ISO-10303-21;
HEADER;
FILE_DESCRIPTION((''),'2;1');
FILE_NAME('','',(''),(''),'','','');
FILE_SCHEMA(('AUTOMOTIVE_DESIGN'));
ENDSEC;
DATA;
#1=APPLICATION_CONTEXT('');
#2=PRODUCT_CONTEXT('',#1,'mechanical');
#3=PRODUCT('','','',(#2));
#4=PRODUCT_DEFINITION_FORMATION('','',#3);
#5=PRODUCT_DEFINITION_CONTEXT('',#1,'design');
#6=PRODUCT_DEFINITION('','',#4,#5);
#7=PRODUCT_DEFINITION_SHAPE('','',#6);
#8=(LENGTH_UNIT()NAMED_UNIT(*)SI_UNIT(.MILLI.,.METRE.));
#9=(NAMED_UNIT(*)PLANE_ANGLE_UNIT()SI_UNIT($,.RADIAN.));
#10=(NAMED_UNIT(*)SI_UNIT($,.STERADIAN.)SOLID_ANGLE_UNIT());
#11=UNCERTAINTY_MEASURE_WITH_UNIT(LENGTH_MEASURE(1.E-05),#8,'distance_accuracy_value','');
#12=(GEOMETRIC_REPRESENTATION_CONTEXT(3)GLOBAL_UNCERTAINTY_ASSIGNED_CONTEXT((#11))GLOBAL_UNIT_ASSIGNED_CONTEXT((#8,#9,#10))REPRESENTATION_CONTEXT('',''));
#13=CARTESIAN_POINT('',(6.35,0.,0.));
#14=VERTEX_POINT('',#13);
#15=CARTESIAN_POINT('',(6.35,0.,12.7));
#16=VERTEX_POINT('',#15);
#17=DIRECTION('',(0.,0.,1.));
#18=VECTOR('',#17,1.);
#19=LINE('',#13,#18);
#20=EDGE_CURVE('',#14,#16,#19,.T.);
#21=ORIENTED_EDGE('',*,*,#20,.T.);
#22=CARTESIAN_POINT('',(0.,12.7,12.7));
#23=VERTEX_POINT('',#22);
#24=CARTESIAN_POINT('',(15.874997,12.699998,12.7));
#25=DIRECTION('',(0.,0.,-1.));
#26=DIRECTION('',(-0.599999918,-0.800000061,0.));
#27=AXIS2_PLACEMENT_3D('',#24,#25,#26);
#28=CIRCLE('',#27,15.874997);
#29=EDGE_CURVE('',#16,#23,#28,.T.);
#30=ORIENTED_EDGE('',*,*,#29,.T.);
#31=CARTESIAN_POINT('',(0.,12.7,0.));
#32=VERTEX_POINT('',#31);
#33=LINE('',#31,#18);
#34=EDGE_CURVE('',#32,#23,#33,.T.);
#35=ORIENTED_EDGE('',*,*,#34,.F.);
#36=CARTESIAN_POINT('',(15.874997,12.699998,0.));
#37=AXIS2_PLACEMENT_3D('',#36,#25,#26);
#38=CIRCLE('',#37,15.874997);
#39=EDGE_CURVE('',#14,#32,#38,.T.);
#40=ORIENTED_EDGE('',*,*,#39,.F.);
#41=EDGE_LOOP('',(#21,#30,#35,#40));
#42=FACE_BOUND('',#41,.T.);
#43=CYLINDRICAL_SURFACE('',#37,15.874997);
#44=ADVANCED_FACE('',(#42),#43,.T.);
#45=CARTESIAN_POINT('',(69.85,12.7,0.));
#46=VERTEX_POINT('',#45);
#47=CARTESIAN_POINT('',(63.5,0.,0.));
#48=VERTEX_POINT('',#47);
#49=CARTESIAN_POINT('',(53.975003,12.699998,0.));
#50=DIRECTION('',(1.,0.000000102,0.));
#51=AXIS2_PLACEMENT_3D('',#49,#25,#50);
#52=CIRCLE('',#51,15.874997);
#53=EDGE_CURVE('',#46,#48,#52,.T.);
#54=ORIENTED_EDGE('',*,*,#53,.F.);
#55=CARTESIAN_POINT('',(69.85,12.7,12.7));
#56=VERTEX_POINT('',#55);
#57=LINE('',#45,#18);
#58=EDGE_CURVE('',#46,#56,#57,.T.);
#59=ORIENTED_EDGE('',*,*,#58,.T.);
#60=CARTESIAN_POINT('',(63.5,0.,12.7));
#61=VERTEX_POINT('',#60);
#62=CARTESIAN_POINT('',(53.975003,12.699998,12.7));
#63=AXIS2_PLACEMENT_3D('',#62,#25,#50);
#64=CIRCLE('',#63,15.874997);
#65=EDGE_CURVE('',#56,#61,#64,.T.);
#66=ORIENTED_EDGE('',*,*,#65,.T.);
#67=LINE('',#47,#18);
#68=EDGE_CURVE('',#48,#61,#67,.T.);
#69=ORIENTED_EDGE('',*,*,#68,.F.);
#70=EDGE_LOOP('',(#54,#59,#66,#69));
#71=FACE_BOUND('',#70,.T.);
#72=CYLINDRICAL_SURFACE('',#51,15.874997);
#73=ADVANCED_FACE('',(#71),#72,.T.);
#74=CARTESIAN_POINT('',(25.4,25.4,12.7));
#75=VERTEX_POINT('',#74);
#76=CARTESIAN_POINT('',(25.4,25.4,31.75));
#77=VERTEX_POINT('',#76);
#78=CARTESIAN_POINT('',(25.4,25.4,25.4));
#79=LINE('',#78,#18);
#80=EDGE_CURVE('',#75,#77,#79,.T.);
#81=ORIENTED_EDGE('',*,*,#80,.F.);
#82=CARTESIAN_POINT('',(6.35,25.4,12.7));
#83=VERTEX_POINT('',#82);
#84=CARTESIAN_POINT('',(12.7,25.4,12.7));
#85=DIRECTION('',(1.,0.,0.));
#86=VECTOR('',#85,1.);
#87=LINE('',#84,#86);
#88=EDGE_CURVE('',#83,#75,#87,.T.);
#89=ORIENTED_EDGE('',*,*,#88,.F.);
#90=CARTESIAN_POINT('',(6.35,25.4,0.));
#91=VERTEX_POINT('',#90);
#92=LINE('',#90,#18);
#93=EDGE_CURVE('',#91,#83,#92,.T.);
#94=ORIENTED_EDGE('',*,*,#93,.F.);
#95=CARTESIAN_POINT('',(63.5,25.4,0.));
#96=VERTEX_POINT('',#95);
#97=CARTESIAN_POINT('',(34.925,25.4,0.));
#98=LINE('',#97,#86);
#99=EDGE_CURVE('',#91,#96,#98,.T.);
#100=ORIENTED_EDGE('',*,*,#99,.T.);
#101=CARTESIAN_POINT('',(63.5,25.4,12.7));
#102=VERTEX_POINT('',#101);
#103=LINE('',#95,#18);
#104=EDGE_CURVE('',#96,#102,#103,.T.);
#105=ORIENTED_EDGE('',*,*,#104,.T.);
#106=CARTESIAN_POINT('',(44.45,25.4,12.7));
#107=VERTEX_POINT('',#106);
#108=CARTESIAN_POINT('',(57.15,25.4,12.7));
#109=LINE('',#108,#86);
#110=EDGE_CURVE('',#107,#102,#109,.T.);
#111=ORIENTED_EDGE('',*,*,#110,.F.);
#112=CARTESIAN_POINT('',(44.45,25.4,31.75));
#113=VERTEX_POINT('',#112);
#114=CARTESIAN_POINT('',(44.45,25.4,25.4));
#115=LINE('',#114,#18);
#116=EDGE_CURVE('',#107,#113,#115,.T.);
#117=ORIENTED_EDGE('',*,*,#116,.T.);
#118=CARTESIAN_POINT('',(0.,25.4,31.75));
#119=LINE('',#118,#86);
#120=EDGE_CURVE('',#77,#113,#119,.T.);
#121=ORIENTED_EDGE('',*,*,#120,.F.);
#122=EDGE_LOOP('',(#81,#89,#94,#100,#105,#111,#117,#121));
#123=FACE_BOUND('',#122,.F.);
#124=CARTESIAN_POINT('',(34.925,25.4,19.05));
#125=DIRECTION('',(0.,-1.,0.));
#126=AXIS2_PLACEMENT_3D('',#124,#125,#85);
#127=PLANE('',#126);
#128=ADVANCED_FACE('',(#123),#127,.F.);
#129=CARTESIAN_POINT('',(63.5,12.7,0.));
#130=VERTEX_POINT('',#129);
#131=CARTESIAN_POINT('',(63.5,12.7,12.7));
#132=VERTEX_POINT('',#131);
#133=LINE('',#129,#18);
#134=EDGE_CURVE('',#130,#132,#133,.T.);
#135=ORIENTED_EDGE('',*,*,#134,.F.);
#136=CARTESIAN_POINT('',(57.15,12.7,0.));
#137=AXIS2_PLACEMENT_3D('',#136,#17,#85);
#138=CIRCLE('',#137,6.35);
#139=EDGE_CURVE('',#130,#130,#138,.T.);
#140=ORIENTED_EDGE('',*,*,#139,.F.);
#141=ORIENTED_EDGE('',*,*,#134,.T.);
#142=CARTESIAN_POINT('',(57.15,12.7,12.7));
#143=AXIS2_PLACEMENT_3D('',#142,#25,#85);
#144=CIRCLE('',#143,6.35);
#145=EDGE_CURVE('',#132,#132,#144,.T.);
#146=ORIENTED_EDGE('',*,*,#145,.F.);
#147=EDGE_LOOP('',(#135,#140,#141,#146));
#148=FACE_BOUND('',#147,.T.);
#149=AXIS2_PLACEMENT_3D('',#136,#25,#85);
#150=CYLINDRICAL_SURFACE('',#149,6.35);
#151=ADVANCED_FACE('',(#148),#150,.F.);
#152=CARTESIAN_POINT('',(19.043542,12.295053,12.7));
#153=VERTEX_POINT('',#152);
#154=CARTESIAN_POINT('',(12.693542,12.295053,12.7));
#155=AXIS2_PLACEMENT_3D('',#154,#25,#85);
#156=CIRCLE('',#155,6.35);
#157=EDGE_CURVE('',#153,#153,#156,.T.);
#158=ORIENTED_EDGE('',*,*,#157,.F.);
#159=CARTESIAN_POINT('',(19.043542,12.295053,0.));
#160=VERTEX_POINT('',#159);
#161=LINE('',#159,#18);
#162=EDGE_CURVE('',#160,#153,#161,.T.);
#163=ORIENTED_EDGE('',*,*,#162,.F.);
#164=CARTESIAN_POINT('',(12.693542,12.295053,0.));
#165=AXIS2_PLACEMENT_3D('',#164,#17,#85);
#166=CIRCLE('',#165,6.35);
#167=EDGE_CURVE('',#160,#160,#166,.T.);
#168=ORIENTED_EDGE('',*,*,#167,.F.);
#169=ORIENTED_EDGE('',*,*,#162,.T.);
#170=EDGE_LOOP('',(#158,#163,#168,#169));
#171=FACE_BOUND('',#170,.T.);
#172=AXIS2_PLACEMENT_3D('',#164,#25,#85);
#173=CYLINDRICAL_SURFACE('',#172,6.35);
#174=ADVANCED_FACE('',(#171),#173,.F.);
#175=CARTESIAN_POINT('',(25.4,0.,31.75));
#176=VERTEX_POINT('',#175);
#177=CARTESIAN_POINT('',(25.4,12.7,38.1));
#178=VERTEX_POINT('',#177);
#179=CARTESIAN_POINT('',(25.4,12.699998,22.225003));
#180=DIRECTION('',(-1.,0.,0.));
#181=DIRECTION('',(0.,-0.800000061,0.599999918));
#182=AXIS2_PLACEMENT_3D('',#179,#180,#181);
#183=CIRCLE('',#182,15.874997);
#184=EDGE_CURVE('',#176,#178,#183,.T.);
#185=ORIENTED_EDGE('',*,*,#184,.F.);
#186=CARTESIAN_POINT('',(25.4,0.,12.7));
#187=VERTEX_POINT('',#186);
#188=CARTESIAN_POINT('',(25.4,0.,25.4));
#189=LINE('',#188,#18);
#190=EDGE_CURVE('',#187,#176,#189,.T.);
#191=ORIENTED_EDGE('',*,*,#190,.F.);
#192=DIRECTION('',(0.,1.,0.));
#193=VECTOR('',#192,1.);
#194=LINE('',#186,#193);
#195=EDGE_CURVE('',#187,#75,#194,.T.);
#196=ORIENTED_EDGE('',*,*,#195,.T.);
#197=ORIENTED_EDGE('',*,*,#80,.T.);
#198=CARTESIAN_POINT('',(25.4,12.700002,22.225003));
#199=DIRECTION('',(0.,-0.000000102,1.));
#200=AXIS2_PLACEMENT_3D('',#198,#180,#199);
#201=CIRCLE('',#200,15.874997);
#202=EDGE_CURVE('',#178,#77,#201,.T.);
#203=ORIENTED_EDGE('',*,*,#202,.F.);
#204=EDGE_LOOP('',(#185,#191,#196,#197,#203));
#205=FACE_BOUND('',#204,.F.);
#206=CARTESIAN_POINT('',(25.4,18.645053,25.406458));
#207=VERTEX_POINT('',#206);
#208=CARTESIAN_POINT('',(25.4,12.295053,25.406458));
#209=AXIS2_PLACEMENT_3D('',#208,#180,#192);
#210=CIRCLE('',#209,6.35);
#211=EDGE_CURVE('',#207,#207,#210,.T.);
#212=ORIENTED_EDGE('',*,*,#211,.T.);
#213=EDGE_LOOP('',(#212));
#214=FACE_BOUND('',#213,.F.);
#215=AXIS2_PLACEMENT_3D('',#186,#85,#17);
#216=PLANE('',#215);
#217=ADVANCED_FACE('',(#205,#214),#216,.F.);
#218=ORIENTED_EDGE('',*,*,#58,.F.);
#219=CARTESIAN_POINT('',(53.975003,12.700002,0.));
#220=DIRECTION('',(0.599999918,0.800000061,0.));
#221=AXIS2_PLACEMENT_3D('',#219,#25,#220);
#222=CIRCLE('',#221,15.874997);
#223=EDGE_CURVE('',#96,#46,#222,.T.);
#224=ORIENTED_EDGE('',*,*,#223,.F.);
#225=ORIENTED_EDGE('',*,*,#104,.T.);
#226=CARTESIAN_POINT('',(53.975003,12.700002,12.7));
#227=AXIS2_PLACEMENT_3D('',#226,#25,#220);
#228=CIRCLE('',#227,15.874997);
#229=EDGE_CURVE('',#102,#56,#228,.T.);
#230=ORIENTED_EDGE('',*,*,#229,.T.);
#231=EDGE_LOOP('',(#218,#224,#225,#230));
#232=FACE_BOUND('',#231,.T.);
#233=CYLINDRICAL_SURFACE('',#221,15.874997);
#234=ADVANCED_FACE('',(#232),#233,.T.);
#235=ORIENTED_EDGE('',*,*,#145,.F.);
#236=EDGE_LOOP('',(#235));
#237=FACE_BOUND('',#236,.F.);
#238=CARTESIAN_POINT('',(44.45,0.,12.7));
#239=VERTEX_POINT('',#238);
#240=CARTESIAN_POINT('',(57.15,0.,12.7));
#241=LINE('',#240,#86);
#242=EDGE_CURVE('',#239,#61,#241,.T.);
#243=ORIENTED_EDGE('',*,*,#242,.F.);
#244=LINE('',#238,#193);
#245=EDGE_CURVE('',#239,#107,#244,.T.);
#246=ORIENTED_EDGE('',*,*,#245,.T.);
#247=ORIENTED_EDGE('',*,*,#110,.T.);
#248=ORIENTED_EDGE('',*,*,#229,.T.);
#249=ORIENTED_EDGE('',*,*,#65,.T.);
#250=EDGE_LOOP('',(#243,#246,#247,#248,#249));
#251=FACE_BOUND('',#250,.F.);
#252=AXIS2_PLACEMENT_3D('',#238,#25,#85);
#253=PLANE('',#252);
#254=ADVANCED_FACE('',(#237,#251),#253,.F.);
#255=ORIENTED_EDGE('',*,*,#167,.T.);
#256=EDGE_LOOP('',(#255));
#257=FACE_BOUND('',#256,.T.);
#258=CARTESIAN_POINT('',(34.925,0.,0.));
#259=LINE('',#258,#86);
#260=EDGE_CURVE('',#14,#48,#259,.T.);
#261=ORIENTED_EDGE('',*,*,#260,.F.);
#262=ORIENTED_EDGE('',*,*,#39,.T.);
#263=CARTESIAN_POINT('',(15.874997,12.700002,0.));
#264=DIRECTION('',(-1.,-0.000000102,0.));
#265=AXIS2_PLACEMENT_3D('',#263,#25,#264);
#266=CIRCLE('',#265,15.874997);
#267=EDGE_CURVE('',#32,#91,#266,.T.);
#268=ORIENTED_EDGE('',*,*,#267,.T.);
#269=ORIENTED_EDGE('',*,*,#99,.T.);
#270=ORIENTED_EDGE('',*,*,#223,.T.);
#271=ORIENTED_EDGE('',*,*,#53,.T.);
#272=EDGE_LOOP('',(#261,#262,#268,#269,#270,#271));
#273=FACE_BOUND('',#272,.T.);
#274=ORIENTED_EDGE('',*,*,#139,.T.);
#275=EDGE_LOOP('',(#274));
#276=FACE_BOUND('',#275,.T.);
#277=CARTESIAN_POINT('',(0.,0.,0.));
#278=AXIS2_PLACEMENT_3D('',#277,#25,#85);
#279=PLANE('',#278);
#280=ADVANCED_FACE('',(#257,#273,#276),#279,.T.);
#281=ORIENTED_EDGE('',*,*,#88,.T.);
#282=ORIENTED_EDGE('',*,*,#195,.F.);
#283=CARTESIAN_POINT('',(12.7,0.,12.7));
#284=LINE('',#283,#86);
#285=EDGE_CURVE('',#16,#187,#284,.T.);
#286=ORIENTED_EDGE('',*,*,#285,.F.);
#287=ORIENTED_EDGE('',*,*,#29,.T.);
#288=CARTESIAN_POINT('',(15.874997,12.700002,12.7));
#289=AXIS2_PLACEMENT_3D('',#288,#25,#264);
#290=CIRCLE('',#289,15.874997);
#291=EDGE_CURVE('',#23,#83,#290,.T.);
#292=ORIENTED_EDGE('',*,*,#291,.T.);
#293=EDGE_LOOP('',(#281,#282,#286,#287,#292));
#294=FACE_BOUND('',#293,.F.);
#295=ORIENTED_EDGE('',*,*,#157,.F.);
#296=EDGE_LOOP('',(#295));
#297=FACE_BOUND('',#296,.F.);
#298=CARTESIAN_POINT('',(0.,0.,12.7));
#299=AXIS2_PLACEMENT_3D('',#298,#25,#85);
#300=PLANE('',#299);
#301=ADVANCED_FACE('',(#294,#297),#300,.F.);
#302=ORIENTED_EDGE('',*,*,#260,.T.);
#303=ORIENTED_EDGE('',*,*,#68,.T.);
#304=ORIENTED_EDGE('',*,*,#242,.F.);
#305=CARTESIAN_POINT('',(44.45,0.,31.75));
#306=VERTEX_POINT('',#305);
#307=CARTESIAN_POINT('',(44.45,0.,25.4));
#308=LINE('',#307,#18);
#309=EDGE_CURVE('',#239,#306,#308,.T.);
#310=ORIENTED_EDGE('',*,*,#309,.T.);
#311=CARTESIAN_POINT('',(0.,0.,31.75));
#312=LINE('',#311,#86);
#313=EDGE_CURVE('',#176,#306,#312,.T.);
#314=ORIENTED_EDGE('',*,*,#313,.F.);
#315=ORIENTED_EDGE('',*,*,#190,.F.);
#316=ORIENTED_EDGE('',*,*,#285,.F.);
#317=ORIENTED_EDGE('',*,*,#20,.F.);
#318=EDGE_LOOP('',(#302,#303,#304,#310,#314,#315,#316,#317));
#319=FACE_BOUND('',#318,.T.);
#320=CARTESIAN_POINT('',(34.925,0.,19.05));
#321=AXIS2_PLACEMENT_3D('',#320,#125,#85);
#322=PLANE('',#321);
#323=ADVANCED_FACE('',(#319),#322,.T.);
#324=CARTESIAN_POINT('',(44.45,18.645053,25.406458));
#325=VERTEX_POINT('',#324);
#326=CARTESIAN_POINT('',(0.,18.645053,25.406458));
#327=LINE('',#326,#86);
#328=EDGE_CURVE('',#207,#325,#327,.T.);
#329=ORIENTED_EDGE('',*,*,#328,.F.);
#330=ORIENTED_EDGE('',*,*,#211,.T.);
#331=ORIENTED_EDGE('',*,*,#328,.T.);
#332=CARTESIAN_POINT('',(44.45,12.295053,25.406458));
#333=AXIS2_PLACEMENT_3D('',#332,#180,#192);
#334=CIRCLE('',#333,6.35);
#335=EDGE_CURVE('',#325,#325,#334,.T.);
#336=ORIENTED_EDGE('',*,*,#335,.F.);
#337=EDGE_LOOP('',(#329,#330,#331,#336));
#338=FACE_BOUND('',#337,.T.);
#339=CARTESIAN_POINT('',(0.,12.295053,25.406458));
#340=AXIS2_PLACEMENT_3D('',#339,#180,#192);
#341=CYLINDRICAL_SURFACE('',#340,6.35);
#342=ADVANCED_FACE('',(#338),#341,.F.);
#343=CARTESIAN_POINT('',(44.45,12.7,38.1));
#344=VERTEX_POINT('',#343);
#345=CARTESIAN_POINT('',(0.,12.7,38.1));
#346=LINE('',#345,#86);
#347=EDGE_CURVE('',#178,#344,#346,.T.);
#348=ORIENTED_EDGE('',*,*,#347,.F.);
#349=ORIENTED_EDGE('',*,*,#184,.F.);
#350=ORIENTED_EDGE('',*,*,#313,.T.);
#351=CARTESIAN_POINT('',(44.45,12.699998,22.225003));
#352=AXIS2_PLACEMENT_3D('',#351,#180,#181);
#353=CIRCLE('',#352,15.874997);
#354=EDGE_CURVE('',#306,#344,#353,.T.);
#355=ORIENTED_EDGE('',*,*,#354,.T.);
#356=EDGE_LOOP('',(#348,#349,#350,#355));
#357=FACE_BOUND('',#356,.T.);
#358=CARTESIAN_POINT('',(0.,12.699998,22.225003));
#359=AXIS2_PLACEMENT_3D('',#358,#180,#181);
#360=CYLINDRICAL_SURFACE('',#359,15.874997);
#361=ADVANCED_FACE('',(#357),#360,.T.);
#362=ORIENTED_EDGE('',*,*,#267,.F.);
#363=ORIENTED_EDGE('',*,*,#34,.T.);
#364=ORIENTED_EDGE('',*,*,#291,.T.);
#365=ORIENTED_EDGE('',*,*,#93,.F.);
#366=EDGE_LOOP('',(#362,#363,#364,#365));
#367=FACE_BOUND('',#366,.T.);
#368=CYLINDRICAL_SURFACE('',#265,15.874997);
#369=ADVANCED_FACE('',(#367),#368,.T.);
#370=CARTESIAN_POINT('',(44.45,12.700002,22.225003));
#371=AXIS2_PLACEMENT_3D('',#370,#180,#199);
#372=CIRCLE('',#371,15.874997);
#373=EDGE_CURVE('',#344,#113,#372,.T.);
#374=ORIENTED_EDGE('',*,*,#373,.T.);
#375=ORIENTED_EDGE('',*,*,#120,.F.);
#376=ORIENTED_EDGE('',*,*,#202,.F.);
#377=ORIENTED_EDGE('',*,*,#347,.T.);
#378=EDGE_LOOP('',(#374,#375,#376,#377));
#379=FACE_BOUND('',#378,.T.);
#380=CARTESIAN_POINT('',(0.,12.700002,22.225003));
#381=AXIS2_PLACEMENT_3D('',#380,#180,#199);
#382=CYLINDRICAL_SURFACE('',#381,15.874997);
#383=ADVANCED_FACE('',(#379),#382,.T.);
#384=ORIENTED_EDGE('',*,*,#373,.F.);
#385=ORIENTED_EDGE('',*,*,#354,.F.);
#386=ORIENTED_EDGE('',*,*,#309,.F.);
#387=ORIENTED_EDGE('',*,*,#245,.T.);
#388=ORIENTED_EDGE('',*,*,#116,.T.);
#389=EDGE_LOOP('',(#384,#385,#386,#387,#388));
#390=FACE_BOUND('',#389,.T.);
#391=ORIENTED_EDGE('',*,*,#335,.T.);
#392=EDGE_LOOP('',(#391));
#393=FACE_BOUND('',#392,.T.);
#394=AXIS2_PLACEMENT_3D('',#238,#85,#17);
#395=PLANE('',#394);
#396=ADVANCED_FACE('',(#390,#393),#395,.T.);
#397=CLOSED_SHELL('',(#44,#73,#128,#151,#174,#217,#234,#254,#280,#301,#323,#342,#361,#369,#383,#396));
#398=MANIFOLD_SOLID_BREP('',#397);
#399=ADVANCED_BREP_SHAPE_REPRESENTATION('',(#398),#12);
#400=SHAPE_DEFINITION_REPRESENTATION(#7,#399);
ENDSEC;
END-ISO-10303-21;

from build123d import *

# Parameters (mm, degrees)
F0_W      = 69.85
F0_H      = 38.1
F1_DEPTH  = 25.4
F2_W      = 25.4
F2_H      = 25.4
F3_DEPTH  = 25.4
F4_W      = 25.4
F4_H      = 25.4
F5_DEPTH  = 25.4
F7_DEPTH  = 25.4
F9_DEPTH  = 25.4
F11_DEPTH = 50.8
F12_R     = 6.35
F13_DEPTH = 25.4
F14_R     = 6.35
F15_DEPTH = 50.8


with BuildPart() as f1:
    # F0 (on Front) → F1 (new body)
    with BuildSketch(Plane.XZ):
        with Locations((34.925, 19.05)):
            Rectangle(F0_W, F0_H)
    extrude(amount=-F1_DEPTH)

    # F2 (on Front) → F3 (cut)
    with BuildSketch(Plane.XZ):
        with Locations((57.15, 25.4)):
            Rectangle(F2_W, F2_H)
    extrude(amount=-F3_DEPTH, mode=Mode.SUBTRACT)

    # F4 (on Front) → F5 (cut)
    with BuildSketch(Plane.XZ):
        with Locations((12.7, 25.4)):
            Rectangle(F4_W, F4_H)
    extrude(amount=-F5_DEPTH, mode=Mode.SUBTRACT)

    # F6 (on Top) → F7 (cut)
    with BuildSketch(Plane.XY):
        with BuildLine():
            ThreePointArc((63.5, 25.4), (68.174032, 19.799516), (69.85, 12.7))
            Line((69.85, 12.7), (69.85, 25.4))
            Line((69.85, 25.4), (63.5, 25.4))
        make_face()
        with BuildLine():
            ThreePointArc((69.85, 12.7), (68.174032, 5.600484), (63.5, 0))
            Line((63.5, 0), (69.85, 0))
            Line((69.85, 0), (69.85, 12.7))
        make_face()
    extrude(amount=F7_DEPTH, mode=Mode.SUBTRACT)

    # F8 (on Top) → F9 (cut)
    with BuildSketch(Plane.XY):
        with BuildLine():
            ThreePointArc((6.35, 0), (1.675968, 5.600484), (0, 12.7))
            Line((0, 12.7), (0, 0))
            Line((0, 0), (6.35, 0))
        make_face()
        with BuildLine():
            ThreePointArc((0, 12.7), (1.675968, 19.799516), (6.35, 25.4))
            Line((6.35, 25.4), (0, 25.4))
            Line((0, 25.4), (0, 12.7))
        make_face()
    extrude(amount=F9_DEPTH, mode=Mode.SUBTRACT)

    # F10 (on Right) → F11 (cut)
    with BuildSketch(Plane.YZ):
        with BuildLine():
            ThreePointArc((0, 31.75), (5.600484, 36.424032), (12.7, 38.1))
            Line((12.7, 38.1), (0, 38.1))
            Line((0, 38.1), (0, 31.75))
        make_face()
        with BuildLine():
            ThreePointArc((12.7, 38.1), (19.799516, 36.424032), (25.4, 31.75))
            Line((25.4, 31.75), (25.4, 38.1))
            Line((25.4, 38.1), (12.7, 38.1))
        make_face()
    extrude(amount=F11_DEPTH, mode=Mode.SUBTRACT)

    # F12 (on Top) → F13 (cut)
    with BuildSketch(Plane.XY):
        with Locations((12.693542, 12.295053)):
            Circle(F12_R)
        with Locations((57.15, 12.7)):
            Circle(F12_R)
    extrude(amount=F13_DEPTH, mode=Mode.SUBTRACT)

    # F14 (on Right) → F15 (cut)
    with BuildSketch(Plane.YZ):
        with Locations((12.295053, 25.406458)):
            Circle(F14_R)
    extrude(amount=F15_DEPTH, mode=Mode.SUBTRACT)


solid = f1.part
